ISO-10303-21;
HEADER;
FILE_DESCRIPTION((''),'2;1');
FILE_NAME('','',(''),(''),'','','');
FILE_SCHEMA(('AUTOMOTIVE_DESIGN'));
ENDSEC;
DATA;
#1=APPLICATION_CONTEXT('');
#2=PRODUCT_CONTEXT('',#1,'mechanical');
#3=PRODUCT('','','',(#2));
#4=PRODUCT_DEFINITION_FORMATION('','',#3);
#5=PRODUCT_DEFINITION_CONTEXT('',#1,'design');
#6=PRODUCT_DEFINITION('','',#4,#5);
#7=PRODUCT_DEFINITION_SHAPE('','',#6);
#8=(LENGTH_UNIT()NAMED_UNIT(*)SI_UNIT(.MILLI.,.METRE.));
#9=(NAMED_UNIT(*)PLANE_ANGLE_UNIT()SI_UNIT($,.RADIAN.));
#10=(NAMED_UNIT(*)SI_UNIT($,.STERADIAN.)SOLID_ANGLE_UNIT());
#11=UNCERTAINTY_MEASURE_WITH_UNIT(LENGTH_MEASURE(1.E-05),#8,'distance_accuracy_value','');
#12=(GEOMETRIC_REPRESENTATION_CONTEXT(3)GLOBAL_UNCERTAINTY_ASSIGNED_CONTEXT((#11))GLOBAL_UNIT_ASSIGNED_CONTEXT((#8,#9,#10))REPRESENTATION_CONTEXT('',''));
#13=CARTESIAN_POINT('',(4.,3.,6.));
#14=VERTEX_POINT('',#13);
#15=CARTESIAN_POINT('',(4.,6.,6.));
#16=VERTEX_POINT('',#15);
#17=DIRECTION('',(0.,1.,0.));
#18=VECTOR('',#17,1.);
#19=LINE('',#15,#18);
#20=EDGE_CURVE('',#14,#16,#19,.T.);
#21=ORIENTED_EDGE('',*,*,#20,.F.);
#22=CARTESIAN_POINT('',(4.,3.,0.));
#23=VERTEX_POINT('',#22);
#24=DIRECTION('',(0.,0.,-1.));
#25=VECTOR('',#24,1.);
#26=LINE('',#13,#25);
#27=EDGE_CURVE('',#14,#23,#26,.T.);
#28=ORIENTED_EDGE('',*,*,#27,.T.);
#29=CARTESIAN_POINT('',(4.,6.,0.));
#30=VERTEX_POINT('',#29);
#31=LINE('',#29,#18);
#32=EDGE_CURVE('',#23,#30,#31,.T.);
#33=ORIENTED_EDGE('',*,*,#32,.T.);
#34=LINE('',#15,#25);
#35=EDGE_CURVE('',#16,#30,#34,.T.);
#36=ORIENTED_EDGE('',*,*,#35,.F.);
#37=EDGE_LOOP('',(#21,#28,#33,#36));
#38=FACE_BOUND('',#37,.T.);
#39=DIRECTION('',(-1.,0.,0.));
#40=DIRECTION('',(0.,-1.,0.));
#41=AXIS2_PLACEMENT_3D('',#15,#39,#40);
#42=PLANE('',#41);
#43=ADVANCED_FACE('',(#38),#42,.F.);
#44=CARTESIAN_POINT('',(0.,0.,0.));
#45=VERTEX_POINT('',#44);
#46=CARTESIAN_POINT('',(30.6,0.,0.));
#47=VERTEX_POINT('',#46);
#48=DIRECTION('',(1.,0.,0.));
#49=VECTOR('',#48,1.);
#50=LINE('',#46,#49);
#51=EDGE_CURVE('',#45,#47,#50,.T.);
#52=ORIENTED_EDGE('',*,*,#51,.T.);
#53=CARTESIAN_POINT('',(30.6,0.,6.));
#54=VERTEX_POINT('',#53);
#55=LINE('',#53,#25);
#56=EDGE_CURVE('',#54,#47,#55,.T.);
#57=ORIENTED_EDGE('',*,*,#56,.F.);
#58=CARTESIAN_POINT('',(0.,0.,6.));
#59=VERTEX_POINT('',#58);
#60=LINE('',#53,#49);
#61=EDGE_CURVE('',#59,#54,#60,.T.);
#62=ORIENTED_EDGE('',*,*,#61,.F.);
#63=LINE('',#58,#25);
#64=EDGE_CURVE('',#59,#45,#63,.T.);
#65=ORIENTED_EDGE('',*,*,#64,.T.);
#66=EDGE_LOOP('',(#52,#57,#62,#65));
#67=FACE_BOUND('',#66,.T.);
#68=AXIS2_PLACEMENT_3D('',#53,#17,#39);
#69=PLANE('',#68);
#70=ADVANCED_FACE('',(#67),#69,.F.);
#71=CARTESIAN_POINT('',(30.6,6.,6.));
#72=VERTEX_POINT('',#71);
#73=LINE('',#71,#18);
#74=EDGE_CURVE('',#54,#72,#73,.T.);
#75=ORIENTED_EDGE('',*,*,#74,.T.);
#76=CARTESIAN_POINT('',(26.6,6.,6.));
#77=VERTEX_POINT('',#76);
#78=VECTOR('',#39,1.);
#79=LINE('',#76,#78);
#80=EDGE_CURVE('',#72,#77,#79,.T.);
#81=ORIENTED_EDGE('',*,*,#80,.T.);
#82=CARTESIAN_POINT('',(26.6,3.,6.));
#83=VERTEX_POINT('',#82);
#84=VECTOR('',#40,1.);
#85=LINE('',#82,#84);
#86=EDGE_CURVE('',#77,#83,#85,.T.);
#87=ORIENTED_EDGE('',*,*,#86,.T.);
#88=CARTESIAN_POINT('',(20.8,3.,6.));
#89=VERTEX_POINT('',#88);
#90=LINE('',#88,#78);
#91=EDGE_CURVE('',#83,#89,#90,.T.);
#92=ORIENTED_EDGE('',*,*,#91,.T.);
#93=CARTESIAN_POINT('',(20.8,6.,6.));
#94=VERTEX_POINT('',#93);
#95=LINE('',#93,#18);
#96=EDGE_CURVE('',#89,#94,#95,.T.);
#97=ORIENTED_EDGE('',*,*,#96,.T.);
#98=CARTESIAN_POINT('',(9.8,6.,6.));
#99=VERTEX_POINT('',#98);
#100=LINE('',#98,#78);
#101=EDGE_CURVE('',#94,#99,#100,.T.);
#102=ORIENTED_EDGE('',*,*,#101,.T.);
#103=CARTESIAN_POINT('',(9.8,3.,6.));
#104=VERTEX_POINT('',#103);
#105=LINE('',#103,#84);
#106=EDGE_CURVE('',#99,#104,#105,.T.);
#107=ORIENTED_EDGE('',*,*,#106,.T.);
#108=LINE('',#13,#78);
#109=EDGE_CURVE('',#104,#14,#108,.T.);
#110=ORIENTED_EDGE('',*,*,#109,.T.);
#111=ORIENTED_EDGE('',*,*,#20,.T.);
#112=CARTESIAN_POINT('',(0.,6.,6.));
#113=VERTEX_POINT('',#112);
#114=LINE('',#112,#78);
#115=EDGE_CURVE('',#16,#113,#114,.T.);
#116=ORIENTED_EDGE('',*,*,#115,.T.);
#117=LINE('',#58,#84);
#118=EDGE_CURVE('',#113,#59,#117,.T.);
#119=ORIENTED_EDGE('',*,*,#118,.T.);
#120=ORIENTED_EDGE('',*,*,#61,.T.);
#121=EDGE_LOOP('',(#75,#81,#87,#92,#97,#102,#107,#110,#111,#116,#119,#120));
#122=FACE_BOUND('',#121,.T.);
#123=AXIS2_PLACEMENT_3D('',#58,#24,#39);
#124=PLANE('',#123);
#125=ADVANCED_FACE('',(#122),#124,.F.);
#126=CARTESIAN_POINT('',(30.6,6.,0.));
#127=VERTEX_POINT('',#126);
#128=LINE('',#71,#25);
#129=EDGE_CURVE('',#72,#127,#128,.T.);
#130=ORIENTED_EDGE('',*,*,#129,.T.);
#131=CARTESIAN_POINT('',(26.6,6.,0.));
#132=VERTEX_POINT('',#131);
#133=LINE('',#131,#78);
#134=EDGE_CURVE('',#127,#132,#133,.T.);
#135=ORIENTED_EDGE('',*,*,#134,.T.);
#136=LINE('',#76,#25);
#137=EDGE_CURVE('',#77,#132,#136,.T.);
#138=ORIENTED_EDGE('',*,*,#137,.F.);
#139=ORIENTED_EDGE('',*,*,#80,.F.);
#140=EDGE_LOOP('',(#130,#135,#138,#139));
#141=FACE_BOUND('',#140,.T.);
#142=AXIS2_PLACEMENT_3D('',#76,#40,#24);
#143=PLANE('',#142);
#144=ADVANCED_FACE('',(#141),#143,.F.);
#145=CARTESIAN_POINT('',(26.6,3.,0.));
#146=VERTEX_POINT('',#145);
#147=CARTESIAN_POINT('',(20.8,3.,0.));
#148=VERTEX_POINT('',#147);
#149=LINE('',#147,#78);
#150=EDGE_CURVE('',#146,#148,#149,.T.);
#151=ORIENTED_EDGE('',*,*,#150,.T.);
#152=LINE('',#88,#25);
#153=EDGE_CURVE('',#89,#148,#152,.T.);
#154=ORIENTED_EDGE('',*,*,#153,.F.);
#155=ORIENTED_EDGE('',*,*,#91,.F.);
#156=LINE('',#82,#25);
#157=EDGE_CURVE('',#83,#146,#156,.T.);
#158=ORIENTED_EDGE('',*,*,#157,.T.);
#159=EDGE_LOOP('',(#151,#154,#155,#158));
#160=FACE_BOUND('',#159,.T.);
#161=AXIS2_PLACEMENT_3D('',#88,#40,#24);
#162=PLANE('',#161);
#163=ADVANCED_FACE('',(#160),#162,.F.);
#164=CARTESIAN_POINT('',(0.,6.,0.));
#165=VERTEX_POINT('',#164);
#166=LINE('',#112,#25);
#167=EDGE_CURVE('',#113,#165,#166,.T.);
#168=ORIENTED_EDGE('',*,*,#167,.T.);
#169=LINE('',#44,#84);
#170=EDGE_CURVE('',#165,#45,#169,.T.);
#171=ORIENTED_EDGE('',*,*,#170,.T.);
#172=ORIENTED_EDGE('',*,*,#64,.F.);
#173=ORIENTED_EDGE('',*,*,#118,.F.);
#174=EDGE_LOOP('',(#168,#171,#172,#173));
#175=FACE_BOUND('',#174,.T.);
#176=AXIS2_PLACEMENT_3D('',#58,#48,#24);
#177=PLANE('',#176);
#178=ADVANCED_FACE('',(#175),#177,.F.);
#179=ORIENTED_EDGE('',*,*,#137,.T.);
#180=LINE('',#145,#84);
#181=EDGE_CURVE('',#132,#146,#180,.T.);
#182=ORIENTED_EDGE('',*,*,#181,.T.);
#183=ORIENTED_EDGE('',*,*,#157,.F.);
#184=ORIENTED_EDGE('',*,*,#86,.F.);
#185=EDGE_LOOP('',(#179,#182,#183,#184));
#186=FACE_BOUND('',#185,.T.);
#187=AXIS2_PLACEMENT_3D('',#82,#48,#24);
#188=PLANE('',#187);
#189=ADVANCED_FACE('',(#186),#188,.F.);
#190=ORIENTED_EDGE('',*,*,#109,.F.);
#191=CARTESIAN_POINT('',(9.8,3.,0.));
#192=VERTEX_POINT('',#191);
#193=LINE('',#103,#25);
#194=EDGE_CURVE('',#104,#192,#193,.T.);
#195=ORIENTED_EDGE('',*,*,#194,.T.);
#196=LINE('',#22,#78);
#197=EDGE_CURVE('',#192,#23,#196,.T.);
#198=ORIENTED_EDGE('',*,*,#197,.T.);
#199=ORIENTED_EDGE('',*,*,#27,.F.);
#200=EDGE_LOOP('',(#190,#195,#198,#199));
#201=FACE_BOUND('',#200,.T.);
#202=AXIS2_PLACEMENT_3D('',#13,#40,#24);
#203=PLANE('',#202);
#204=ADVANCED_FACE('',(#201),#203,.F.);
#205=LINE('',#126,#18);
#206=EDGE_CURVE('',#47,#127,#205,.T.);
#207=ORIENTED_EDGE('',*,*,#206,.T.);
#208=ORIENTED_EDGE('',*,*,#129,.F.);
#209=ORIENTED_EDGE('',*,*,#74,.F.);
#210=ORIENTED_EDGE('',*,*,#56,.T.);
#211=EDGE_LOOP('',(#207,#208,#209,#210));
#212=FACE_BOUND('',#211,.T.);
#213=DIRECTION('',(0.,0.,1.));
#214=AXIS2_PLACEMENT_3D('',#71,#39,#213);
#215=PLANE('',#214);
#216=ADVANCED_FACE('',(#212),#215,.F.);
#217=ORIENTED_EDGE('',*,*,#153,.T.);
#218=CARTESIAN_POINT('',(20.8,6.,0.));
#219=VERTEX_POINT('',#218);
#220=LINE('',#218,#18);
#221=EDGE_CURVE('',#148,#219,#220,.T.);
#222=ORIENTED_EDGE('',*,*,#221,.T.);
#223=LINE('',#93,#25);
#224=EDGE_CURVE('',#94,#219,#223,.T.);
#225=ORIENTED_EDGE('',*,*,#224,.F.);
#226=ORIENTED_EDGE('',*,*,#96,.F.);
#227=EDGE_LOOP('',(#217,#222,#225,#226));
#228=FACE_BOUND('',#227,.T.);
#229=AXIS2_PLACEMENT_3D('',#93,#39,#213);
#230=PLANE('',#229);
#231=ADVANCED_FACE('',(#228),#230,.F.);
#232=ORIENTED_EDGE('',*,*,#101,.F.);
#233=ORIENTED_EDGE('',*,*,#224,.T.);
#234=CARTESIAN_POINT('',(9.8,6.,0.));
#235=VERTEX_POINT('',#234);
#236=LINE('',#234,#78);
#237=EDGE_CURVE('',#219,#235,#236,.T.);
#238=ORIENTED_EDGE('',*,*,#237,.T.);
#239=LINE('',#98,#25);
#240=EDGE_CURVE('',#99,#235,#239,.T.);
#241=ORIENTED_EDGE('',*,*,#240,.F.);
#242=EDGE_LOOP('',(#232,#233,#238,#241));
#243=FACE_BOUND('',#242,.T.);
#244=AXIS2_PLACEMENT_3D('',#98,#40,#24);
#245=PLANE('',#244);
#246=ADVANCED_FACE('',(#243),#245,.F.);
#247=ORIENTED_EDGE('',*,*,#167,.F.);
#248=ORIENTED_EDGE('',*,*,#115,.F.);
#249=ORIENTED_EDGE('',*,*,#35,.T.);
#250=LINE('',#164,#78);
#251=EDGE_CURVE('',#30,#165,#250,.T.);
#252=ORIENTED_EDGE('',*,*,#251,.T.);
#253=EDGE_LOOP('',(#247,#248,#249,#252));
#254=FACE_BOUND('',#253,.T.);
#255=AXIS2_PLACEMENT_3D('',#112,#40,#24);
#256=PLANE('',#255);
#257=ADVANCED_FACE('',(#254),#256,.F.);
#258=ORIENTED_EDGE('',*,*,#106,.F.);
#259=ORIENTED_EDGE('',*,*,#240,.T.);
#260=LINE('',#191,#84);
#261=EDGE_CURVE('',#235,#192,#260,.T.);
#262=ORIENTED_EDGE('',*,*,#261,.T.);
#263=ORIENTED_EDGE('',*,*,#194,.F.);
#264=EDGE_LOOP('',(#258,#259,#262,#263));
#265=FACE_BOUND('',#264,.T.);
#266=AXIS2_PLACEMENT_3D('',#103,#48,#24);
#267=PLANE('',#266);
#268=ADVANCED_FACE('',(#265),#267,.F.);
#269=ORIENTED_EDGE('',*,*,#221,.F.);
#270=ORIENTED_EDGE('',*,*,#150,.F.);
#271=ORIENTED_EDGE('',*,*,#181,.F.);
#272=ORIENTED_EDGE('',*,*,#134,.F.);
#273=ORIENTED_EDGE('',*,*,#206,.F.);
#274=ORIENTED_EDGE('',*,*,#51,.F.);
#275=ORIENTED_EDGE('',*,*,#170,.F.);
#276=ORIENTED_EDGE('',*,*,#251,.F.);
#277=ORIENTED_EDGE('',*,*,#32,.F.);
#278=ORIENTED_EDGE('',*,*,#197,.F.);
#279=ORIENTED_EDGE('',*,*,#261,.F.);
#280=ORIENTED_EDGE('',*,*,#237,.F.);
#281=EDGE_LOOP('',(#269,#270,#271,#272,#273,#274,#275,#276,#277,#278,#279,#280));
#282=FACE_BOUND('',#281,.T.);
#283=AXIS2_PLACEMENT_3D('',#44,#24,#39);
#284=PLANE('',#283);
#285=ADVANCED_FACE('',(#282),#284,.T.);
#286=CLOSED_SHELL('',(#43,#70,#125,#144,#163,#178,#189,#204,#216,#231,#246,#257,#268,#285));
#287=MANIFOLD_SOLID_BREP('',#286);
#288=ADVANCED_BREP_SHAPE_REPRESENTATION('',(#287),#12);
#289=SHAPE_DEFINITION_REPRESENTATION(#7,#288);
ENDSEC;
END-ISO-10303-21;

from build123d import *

# Parameters (mm, degrees)
BOSS_EXTRU_1_DEPTH = 6


with BuildPart() as part:
    # Esquisse1 → Boss.-Extru.1 (new body)
    with BuildSketch(Plane.XY):
        Polygon((0, 0), (0, 6), (4, 6), (4, 3), (9.8, 3), (9.8, 6), (20.8, 6), (20.8, 3), (26.6, 3), (26.6, 6), (30.6, 6), (30.6, 0), align=None)
    extrude(amount=BOSS_EXTRU_1_DEPTH)


solid = part.part
